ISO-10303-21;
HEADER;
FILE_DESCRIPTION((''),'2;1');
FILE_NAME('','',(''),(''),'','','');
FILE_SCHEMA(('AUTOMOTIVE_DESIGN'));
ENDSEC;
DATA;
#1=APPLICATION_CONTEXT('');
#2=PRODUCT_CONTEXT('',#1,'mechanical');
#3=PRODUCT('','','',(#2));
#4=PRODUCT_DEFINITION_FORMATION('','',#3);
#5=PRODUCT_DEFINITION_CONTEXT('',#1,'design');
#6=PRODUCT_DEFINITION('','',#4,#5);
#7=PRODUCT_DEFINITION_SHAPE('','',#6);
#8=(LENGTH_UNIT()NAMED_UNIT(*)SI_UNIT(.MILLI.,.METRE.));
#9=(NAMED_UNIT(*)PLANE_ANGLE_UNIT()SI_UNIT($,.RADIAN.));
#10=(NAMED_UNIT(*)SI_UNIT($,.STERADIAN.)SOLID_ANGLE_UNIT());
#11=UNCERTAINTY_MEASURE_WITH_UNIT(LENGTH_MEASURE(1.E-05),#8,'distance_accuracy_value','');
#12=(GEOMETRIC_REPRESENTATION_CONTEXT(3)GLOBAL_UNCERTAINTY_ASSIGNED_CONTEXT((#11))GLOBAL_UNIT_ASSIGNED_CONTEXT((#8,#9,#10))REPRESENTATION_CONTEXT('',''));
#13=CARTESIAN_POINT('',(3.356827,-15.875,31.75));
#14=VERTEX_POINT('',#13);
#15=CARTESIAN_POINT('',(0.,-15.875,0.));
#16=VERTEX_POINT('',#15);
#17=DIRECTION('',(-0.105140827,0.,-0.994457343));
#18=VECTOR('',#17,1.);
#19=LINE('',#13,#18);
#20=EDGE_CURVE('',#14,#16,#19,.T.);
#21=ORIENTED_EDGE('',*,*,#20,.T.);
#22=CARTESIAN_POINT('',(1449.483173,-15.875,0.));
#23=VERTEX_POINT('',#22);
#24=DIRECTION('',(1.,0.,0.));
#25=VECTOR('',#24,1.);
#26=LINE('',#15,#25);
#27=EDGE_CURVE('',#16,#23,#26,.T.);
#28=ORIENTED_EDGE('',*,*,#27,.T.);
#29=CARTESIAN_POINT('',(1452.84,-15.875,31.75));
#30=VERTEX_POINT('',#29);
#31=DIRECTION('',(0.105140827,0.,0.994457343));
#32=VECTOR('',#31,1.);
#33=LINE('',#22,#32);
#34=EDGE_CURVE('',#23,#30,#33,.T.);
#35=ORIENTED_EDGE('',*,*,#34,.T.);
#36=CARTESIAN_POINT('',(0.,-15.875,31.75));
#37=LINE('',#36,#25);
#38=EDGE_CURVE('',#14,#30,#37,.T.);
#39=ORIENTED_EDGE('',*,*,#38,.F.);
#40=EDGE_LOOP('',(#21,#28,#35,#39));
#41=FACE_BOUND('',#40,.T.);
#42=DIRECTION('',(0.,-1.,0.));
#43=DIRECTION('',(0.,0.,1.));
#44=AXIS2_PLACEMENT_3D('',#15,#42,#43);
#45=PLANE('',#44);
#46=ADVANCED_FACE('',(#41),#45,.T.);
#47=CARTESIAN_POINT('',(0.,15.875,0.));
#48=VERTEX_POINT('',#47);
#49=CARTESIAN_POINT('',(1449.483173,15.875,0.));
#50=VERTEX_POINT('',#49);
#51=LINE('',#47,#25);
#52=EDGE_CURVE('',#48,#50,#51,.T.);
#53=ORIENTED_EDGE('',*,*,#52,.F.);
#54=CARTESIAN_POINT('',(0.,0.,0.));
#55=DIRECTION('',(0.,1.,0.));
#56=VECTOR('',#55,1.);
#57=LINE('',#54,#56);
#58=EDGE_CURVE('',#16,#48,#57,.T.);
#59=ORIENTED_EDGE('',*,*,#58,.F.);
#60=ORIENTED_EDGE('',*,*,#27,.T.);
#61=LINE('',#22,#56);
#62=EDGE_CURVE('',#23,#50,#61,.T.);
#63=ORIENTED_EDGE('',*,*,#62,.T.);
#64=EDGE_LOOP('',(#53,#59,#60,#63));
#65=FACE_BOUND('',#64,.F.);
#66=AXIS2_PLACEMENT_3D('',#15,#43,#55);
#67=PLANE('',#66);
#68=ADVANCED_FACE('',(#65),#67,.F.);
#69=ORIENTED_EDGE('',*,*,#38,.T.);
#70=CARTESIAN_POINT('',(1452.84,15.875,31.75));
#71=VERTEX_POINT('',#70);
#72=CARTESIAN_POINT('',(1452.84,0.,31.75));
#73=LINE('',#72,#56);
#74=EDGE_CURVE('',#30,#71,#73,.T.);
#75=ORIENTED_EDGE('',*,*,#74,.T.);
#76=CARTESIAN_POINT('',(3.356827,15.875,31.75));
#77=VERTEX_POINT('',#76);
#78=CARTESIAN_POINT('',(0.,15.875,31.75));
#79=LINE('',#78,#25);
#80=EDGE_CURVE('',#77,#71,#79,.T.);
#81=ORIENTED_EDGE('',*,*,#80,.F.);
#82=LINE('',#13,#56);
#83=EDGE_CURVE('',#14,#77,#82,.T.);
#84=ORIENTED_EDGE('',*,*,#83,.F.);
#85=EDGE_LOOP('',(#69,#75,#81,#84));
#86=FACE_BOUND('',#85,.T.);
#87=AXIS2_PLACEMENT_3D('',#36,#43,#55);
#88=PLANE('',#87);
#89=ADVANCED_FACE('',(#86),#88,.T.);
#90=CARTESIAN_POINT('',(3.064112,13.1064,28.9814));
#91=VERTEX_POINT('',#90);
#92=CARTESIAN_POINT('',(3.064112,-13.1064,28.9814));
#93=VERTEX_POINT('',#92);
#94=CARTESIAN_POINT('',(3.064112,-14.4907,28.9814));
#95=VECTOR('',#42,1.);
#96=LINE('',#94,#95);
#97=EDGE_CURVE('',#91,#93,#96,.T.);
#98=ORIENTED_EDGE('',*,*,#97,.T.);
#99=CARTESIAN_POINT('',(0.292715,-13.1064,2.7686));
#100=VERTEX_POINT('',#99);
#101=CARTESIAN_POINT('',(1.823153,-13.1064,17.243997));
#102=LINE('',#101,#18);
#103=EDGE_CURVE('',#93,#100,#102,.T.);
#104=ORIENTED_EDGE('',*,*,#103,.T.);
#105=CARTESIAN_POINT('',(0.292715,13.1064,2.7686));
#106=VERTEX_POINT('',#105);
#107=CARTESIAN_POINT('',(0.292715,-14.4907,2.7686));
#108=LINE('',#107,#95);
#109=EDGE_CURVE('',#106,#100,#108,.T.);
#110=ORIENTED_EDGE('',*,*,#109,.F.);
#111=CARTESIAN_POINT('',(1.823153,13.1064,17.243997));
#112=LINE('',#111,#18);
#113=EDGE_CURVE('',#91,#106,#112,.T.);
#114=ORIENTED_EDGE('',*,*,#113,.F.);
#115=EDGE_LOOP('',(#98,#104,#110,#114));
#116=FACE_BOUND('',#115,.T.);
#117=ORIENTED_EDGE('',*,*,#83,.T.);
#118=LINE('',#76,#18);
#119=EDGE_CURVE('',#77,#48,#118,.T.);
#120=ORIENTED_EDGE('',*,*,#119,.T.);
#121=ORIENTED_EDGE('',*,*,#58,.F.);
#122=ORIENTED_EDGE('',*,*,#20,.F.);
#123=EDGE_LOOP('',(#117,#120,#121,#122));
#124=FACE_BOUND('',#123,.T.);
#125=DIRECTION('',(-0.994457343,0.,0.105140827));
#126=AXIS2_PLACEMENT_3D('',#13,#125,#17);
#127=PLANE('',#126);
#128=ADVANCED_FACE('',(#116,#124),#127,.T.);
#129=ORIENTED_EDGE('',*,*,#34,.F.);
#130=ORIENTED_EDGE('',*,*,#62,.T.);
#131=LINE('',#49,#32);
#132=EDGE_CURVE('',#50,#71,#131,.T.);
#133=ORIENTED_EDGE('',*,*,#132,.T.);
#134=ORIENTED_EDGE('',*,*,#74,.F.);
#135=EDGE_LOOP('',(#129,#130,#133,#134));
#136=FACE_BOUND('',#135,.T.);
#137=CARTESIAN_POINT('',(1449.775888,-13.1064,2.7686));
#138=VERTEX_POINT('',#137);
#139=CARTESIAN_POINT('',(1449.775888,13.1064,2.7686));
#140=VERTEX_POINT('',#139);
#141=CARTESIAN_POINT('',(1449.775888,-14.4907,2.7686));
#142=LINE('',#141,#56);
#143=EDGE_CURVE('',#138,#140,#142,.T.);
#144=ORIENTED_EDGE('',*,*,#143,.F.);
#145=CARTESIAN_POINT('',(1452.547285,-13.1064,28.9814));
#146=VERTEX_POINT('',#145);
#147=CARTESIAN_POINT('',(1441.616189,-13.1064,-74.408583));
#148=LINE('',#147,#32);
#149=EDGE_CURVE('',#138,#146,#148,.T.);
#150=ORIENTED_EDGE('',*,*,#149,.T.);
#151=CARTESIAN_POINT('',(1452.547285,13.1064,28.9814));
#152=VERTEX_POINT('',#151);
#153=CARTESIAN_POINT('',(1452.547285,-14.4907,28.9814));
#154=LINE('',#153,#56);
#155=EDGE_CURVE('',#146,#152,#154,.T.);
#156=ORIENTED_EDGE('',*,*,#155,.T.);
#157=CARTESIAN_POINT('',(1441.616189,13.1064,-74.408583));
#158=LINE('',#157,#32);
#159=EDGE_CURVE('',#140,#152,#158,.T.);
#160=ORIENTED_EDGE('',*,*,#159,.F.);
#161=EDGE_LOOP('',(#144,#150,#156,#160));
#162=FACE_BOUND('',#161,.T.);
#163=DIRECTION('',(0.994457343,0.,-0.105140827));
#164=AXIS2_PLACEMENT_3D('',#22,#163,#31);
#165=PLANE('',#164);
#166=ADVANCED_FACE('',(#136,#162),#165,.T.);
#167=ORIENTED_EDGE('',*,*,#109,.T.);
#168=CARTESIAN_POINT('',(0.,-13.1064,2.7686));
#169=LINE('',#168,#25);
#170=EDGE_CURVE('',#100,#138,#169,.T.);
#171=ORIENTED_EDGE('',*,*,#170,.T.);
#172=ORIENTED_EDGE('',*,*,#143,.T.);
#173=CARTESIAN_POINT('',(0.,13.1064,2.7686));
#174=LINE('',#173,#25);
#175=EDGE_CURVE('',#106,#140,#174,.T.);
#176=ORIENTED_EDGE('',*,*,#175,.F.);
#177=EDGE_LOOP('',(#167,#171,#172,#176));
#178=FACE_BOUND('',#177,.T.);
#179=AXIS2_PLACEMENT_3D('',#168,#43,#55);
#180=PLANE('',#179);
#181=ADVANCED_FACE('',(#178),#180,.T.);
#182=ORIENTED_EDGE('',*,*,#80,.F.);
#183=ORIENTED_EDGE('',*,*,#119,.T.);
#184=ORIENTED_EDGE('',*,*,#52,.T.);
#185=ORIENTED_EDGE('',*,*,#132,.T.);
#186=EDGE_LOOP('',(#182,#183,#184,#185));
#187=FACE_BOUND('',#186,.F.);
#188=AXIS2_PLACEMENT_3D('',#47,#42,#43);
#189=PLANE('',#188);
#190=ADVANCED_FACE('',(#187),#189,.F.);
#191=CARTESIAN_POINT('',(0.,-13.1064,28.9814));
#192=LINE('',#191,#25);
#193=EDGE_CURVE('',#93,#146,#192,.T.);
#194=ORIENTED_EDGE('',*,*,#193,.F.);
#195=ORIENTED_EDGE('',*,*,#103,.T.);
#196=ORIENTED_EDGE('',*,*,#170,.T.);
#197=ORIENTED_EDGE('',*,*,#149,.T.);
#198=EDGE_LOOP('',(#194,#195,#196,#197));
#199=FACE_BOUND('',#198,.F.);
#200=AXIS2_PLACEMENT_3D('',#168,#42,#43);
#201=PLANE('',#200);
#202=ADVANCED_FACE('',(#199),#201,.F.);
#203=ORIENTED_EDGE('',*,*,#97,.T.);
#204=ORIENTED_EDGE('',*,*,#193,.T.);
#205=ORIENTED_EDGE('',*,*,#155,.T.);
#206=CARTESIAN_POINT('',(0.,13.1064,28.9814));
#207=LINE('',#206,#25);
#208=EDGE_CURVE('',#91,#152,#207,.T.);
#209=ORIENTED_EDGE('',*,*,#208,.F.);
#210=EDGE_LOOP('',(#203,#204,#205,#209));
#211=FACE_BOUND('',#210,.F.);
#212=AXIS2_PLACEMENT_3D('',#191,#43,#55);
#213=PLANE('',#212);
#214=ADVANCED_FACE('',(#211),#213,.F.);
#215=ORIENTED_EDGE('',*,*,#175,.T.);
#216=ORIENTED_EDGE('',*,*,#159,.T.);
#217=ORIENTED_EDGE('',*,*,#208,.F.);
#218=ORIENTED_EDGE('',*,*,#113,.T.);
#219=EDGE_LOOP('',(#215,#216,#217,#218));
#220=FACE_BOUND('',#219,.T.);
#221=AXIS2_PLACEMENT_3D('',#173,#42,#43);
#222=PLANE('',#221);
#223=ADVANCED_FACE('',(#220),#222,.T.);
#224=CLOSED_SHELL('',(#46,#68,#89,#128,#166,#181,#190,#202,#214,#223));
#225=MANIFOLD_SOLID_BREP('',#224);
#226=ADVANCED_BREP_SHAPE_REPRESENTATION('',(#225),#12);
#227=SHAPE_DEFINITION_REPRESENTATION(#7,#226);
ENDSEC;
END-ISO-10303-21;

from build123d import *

# Parameters (mm, degrees)
SKETCH_W        = 31.75
SKETCH_H        = 31.75
SKETCH_W_2      = 26.2128
SKETCH_H_2      = 26.2128
PAD_DEPTH       = 1452.84
POCKET_DEPTH    = 31.75
POCKET001_DEPTH = 31.75


with BuildPart() as part:
    # Sketch → Pad (new body)
    with BuildSketch(Plane.YZ):
        with Locations((0, 15.875)):
            Rectangle(SKETCH_W, SKETCH_H)
        with Locations((0, 15.875)):
            Rectangle(SKETCH_W_2, SKETCH_H_2, mode=Mode.SUBTRACT)
    extrude(amount=PAD_DEPTH)

    # Sketch001 → Pocket (cut)
    with BuildSketch(Plane(origin=(0, -15.875, 0), x_dir=(0, 0, -1), z_dir=(0, -1, 0))):
        Polygon((0, 0), (-31.75, 0), (-31.75, 3.356827), align=None)
    extrude(amount=-POCKET_DEPTH, mode=Mode.SUBTRACT)

    # Sketch002 → Pocket001 (cut)
    with BuildSketch(Plane(origin=(0, -15.875, 0), x_dir=(0, 0, -1), z_dir=(0, -1, 0))):
        Polygon((-31.75, 1452.84), (0, 1452.84), (0, 1449.483173), align=None)
    extrude(amount=-POCKET001_DEPTH, mode=Mode.SUBTRACT)


solid = part.part
